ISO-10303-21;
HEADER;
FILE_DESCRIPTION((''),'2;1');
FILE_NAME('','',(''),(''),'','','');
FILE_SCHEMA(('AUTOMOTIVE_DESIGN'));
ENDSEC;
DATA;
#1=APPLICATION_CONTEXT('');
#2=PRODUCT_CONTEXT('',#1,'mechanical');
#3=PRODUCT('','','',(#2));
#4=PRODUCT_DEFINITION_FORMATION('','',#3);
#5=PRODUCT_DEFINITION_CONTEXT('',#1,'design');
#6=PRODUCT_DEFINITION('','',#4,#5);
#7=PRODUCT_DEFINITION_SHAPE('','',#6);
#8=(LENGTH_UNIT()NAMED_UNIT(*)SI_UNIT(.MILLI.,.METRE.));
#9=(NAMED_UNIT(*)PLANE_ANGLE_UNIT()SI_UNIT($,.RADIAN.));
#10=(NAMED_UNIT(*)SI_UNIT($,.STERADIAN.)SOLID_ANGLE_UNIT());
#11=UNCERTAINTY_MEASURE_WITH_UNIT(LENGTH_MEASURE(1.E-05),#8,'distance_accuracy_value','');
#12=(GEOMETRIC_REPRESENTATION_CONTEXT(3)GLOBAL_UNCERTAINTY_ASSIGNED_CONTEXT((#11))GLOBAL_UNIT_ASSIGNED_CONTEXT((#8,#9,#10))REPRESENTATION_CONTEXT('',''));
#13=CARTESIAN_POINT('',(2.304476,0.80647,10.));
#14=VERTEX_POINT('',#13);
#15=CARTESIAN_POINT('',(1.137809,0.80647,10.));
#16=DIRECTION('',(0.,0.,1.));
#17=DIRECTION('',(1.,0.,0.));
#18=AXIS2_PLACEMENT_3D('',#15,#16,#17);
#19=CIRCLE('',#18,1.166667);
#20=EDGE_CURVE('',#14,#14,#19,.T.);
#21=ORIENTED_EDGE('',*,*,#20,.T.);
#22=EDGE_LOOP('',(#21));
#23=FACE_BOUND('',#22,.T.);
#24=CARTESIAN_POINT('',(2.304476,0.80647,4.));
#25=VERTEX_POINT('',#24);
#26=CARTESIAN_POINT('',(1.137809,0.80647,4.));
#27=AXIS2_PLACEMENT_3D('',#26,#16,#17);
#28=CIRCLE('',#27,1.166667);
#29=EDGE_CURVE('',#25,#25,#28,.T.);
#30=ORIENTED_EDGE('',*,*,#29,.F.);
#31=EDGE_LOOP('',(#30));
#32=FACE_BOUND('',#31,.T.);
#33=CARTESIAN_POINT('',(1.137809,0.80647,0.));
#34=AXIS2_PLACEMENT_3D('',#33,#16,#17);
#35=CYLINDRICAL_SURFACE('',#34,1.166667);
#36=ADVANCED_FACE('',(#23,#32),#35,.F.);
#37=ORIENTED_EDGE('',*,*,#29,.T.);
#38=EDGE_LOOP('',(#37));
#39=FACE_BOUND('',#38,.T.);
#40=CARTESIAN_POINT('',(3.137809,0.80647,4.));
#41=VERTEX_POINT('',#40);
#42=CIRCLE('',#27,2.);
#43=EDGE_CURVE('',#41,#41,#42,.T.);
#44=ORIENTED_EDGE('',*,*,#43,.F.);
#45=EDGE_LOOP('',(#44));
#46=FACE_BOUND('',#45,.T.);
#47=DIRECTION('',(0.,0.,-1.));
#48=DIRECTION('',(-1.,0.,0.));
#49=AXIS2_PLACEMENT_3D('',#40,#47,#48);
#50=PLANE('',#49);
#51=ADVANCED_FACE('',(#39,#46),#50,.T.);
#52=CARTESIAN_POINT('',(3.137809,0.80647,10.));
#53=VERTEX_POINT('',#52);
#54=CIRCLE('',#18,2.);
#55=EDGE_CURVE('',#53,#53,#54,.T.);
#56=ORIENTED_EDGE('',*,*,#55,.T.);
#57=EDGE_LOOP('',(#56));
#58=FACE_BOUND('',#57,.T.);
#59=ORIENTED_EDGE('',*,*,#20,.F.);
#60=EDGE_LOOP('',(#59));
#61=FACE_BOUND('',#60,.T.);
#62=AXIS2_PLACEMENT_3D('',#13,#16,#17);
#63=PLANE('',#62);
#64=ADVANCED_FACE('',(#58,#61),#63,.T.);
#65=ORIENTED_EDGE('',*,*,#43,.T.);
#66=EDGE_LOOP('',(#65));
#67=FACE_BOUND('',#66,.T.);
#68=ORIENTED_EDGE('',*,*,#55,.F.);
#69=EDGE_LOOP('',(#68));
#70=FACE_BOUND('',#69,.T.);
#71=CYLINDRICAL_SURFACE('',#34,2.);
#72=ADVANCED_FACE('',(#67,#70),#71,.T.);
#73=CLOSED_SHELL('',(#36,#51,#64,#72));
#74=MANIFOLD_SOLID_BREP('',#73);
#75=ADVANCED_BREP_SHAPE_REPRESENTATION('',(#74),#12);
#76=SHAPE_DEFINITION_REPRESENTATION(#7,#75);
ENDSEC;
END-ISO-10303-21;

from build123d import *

# Parameters (mm, degrees)
SKETCH1_W = 0.833333333
SKETCH1_H = 6


with BuildPart() as part:
    # Sketch1 → Revolve1 (revolve)
    with BuildSketch(Plane(origin=(0, 0.806470296, 0), x_dir=(1, 0, 0), z_dir=(0, 1, 0))):
        with Locations((2.721142694, -7)):
            Rectangle(SKETCH1_W, SKETCH1_H)
    revolve(axis=Axis((1.13780936, 0.806470296, 0), (0, 0, 1)))


solid = part.part
